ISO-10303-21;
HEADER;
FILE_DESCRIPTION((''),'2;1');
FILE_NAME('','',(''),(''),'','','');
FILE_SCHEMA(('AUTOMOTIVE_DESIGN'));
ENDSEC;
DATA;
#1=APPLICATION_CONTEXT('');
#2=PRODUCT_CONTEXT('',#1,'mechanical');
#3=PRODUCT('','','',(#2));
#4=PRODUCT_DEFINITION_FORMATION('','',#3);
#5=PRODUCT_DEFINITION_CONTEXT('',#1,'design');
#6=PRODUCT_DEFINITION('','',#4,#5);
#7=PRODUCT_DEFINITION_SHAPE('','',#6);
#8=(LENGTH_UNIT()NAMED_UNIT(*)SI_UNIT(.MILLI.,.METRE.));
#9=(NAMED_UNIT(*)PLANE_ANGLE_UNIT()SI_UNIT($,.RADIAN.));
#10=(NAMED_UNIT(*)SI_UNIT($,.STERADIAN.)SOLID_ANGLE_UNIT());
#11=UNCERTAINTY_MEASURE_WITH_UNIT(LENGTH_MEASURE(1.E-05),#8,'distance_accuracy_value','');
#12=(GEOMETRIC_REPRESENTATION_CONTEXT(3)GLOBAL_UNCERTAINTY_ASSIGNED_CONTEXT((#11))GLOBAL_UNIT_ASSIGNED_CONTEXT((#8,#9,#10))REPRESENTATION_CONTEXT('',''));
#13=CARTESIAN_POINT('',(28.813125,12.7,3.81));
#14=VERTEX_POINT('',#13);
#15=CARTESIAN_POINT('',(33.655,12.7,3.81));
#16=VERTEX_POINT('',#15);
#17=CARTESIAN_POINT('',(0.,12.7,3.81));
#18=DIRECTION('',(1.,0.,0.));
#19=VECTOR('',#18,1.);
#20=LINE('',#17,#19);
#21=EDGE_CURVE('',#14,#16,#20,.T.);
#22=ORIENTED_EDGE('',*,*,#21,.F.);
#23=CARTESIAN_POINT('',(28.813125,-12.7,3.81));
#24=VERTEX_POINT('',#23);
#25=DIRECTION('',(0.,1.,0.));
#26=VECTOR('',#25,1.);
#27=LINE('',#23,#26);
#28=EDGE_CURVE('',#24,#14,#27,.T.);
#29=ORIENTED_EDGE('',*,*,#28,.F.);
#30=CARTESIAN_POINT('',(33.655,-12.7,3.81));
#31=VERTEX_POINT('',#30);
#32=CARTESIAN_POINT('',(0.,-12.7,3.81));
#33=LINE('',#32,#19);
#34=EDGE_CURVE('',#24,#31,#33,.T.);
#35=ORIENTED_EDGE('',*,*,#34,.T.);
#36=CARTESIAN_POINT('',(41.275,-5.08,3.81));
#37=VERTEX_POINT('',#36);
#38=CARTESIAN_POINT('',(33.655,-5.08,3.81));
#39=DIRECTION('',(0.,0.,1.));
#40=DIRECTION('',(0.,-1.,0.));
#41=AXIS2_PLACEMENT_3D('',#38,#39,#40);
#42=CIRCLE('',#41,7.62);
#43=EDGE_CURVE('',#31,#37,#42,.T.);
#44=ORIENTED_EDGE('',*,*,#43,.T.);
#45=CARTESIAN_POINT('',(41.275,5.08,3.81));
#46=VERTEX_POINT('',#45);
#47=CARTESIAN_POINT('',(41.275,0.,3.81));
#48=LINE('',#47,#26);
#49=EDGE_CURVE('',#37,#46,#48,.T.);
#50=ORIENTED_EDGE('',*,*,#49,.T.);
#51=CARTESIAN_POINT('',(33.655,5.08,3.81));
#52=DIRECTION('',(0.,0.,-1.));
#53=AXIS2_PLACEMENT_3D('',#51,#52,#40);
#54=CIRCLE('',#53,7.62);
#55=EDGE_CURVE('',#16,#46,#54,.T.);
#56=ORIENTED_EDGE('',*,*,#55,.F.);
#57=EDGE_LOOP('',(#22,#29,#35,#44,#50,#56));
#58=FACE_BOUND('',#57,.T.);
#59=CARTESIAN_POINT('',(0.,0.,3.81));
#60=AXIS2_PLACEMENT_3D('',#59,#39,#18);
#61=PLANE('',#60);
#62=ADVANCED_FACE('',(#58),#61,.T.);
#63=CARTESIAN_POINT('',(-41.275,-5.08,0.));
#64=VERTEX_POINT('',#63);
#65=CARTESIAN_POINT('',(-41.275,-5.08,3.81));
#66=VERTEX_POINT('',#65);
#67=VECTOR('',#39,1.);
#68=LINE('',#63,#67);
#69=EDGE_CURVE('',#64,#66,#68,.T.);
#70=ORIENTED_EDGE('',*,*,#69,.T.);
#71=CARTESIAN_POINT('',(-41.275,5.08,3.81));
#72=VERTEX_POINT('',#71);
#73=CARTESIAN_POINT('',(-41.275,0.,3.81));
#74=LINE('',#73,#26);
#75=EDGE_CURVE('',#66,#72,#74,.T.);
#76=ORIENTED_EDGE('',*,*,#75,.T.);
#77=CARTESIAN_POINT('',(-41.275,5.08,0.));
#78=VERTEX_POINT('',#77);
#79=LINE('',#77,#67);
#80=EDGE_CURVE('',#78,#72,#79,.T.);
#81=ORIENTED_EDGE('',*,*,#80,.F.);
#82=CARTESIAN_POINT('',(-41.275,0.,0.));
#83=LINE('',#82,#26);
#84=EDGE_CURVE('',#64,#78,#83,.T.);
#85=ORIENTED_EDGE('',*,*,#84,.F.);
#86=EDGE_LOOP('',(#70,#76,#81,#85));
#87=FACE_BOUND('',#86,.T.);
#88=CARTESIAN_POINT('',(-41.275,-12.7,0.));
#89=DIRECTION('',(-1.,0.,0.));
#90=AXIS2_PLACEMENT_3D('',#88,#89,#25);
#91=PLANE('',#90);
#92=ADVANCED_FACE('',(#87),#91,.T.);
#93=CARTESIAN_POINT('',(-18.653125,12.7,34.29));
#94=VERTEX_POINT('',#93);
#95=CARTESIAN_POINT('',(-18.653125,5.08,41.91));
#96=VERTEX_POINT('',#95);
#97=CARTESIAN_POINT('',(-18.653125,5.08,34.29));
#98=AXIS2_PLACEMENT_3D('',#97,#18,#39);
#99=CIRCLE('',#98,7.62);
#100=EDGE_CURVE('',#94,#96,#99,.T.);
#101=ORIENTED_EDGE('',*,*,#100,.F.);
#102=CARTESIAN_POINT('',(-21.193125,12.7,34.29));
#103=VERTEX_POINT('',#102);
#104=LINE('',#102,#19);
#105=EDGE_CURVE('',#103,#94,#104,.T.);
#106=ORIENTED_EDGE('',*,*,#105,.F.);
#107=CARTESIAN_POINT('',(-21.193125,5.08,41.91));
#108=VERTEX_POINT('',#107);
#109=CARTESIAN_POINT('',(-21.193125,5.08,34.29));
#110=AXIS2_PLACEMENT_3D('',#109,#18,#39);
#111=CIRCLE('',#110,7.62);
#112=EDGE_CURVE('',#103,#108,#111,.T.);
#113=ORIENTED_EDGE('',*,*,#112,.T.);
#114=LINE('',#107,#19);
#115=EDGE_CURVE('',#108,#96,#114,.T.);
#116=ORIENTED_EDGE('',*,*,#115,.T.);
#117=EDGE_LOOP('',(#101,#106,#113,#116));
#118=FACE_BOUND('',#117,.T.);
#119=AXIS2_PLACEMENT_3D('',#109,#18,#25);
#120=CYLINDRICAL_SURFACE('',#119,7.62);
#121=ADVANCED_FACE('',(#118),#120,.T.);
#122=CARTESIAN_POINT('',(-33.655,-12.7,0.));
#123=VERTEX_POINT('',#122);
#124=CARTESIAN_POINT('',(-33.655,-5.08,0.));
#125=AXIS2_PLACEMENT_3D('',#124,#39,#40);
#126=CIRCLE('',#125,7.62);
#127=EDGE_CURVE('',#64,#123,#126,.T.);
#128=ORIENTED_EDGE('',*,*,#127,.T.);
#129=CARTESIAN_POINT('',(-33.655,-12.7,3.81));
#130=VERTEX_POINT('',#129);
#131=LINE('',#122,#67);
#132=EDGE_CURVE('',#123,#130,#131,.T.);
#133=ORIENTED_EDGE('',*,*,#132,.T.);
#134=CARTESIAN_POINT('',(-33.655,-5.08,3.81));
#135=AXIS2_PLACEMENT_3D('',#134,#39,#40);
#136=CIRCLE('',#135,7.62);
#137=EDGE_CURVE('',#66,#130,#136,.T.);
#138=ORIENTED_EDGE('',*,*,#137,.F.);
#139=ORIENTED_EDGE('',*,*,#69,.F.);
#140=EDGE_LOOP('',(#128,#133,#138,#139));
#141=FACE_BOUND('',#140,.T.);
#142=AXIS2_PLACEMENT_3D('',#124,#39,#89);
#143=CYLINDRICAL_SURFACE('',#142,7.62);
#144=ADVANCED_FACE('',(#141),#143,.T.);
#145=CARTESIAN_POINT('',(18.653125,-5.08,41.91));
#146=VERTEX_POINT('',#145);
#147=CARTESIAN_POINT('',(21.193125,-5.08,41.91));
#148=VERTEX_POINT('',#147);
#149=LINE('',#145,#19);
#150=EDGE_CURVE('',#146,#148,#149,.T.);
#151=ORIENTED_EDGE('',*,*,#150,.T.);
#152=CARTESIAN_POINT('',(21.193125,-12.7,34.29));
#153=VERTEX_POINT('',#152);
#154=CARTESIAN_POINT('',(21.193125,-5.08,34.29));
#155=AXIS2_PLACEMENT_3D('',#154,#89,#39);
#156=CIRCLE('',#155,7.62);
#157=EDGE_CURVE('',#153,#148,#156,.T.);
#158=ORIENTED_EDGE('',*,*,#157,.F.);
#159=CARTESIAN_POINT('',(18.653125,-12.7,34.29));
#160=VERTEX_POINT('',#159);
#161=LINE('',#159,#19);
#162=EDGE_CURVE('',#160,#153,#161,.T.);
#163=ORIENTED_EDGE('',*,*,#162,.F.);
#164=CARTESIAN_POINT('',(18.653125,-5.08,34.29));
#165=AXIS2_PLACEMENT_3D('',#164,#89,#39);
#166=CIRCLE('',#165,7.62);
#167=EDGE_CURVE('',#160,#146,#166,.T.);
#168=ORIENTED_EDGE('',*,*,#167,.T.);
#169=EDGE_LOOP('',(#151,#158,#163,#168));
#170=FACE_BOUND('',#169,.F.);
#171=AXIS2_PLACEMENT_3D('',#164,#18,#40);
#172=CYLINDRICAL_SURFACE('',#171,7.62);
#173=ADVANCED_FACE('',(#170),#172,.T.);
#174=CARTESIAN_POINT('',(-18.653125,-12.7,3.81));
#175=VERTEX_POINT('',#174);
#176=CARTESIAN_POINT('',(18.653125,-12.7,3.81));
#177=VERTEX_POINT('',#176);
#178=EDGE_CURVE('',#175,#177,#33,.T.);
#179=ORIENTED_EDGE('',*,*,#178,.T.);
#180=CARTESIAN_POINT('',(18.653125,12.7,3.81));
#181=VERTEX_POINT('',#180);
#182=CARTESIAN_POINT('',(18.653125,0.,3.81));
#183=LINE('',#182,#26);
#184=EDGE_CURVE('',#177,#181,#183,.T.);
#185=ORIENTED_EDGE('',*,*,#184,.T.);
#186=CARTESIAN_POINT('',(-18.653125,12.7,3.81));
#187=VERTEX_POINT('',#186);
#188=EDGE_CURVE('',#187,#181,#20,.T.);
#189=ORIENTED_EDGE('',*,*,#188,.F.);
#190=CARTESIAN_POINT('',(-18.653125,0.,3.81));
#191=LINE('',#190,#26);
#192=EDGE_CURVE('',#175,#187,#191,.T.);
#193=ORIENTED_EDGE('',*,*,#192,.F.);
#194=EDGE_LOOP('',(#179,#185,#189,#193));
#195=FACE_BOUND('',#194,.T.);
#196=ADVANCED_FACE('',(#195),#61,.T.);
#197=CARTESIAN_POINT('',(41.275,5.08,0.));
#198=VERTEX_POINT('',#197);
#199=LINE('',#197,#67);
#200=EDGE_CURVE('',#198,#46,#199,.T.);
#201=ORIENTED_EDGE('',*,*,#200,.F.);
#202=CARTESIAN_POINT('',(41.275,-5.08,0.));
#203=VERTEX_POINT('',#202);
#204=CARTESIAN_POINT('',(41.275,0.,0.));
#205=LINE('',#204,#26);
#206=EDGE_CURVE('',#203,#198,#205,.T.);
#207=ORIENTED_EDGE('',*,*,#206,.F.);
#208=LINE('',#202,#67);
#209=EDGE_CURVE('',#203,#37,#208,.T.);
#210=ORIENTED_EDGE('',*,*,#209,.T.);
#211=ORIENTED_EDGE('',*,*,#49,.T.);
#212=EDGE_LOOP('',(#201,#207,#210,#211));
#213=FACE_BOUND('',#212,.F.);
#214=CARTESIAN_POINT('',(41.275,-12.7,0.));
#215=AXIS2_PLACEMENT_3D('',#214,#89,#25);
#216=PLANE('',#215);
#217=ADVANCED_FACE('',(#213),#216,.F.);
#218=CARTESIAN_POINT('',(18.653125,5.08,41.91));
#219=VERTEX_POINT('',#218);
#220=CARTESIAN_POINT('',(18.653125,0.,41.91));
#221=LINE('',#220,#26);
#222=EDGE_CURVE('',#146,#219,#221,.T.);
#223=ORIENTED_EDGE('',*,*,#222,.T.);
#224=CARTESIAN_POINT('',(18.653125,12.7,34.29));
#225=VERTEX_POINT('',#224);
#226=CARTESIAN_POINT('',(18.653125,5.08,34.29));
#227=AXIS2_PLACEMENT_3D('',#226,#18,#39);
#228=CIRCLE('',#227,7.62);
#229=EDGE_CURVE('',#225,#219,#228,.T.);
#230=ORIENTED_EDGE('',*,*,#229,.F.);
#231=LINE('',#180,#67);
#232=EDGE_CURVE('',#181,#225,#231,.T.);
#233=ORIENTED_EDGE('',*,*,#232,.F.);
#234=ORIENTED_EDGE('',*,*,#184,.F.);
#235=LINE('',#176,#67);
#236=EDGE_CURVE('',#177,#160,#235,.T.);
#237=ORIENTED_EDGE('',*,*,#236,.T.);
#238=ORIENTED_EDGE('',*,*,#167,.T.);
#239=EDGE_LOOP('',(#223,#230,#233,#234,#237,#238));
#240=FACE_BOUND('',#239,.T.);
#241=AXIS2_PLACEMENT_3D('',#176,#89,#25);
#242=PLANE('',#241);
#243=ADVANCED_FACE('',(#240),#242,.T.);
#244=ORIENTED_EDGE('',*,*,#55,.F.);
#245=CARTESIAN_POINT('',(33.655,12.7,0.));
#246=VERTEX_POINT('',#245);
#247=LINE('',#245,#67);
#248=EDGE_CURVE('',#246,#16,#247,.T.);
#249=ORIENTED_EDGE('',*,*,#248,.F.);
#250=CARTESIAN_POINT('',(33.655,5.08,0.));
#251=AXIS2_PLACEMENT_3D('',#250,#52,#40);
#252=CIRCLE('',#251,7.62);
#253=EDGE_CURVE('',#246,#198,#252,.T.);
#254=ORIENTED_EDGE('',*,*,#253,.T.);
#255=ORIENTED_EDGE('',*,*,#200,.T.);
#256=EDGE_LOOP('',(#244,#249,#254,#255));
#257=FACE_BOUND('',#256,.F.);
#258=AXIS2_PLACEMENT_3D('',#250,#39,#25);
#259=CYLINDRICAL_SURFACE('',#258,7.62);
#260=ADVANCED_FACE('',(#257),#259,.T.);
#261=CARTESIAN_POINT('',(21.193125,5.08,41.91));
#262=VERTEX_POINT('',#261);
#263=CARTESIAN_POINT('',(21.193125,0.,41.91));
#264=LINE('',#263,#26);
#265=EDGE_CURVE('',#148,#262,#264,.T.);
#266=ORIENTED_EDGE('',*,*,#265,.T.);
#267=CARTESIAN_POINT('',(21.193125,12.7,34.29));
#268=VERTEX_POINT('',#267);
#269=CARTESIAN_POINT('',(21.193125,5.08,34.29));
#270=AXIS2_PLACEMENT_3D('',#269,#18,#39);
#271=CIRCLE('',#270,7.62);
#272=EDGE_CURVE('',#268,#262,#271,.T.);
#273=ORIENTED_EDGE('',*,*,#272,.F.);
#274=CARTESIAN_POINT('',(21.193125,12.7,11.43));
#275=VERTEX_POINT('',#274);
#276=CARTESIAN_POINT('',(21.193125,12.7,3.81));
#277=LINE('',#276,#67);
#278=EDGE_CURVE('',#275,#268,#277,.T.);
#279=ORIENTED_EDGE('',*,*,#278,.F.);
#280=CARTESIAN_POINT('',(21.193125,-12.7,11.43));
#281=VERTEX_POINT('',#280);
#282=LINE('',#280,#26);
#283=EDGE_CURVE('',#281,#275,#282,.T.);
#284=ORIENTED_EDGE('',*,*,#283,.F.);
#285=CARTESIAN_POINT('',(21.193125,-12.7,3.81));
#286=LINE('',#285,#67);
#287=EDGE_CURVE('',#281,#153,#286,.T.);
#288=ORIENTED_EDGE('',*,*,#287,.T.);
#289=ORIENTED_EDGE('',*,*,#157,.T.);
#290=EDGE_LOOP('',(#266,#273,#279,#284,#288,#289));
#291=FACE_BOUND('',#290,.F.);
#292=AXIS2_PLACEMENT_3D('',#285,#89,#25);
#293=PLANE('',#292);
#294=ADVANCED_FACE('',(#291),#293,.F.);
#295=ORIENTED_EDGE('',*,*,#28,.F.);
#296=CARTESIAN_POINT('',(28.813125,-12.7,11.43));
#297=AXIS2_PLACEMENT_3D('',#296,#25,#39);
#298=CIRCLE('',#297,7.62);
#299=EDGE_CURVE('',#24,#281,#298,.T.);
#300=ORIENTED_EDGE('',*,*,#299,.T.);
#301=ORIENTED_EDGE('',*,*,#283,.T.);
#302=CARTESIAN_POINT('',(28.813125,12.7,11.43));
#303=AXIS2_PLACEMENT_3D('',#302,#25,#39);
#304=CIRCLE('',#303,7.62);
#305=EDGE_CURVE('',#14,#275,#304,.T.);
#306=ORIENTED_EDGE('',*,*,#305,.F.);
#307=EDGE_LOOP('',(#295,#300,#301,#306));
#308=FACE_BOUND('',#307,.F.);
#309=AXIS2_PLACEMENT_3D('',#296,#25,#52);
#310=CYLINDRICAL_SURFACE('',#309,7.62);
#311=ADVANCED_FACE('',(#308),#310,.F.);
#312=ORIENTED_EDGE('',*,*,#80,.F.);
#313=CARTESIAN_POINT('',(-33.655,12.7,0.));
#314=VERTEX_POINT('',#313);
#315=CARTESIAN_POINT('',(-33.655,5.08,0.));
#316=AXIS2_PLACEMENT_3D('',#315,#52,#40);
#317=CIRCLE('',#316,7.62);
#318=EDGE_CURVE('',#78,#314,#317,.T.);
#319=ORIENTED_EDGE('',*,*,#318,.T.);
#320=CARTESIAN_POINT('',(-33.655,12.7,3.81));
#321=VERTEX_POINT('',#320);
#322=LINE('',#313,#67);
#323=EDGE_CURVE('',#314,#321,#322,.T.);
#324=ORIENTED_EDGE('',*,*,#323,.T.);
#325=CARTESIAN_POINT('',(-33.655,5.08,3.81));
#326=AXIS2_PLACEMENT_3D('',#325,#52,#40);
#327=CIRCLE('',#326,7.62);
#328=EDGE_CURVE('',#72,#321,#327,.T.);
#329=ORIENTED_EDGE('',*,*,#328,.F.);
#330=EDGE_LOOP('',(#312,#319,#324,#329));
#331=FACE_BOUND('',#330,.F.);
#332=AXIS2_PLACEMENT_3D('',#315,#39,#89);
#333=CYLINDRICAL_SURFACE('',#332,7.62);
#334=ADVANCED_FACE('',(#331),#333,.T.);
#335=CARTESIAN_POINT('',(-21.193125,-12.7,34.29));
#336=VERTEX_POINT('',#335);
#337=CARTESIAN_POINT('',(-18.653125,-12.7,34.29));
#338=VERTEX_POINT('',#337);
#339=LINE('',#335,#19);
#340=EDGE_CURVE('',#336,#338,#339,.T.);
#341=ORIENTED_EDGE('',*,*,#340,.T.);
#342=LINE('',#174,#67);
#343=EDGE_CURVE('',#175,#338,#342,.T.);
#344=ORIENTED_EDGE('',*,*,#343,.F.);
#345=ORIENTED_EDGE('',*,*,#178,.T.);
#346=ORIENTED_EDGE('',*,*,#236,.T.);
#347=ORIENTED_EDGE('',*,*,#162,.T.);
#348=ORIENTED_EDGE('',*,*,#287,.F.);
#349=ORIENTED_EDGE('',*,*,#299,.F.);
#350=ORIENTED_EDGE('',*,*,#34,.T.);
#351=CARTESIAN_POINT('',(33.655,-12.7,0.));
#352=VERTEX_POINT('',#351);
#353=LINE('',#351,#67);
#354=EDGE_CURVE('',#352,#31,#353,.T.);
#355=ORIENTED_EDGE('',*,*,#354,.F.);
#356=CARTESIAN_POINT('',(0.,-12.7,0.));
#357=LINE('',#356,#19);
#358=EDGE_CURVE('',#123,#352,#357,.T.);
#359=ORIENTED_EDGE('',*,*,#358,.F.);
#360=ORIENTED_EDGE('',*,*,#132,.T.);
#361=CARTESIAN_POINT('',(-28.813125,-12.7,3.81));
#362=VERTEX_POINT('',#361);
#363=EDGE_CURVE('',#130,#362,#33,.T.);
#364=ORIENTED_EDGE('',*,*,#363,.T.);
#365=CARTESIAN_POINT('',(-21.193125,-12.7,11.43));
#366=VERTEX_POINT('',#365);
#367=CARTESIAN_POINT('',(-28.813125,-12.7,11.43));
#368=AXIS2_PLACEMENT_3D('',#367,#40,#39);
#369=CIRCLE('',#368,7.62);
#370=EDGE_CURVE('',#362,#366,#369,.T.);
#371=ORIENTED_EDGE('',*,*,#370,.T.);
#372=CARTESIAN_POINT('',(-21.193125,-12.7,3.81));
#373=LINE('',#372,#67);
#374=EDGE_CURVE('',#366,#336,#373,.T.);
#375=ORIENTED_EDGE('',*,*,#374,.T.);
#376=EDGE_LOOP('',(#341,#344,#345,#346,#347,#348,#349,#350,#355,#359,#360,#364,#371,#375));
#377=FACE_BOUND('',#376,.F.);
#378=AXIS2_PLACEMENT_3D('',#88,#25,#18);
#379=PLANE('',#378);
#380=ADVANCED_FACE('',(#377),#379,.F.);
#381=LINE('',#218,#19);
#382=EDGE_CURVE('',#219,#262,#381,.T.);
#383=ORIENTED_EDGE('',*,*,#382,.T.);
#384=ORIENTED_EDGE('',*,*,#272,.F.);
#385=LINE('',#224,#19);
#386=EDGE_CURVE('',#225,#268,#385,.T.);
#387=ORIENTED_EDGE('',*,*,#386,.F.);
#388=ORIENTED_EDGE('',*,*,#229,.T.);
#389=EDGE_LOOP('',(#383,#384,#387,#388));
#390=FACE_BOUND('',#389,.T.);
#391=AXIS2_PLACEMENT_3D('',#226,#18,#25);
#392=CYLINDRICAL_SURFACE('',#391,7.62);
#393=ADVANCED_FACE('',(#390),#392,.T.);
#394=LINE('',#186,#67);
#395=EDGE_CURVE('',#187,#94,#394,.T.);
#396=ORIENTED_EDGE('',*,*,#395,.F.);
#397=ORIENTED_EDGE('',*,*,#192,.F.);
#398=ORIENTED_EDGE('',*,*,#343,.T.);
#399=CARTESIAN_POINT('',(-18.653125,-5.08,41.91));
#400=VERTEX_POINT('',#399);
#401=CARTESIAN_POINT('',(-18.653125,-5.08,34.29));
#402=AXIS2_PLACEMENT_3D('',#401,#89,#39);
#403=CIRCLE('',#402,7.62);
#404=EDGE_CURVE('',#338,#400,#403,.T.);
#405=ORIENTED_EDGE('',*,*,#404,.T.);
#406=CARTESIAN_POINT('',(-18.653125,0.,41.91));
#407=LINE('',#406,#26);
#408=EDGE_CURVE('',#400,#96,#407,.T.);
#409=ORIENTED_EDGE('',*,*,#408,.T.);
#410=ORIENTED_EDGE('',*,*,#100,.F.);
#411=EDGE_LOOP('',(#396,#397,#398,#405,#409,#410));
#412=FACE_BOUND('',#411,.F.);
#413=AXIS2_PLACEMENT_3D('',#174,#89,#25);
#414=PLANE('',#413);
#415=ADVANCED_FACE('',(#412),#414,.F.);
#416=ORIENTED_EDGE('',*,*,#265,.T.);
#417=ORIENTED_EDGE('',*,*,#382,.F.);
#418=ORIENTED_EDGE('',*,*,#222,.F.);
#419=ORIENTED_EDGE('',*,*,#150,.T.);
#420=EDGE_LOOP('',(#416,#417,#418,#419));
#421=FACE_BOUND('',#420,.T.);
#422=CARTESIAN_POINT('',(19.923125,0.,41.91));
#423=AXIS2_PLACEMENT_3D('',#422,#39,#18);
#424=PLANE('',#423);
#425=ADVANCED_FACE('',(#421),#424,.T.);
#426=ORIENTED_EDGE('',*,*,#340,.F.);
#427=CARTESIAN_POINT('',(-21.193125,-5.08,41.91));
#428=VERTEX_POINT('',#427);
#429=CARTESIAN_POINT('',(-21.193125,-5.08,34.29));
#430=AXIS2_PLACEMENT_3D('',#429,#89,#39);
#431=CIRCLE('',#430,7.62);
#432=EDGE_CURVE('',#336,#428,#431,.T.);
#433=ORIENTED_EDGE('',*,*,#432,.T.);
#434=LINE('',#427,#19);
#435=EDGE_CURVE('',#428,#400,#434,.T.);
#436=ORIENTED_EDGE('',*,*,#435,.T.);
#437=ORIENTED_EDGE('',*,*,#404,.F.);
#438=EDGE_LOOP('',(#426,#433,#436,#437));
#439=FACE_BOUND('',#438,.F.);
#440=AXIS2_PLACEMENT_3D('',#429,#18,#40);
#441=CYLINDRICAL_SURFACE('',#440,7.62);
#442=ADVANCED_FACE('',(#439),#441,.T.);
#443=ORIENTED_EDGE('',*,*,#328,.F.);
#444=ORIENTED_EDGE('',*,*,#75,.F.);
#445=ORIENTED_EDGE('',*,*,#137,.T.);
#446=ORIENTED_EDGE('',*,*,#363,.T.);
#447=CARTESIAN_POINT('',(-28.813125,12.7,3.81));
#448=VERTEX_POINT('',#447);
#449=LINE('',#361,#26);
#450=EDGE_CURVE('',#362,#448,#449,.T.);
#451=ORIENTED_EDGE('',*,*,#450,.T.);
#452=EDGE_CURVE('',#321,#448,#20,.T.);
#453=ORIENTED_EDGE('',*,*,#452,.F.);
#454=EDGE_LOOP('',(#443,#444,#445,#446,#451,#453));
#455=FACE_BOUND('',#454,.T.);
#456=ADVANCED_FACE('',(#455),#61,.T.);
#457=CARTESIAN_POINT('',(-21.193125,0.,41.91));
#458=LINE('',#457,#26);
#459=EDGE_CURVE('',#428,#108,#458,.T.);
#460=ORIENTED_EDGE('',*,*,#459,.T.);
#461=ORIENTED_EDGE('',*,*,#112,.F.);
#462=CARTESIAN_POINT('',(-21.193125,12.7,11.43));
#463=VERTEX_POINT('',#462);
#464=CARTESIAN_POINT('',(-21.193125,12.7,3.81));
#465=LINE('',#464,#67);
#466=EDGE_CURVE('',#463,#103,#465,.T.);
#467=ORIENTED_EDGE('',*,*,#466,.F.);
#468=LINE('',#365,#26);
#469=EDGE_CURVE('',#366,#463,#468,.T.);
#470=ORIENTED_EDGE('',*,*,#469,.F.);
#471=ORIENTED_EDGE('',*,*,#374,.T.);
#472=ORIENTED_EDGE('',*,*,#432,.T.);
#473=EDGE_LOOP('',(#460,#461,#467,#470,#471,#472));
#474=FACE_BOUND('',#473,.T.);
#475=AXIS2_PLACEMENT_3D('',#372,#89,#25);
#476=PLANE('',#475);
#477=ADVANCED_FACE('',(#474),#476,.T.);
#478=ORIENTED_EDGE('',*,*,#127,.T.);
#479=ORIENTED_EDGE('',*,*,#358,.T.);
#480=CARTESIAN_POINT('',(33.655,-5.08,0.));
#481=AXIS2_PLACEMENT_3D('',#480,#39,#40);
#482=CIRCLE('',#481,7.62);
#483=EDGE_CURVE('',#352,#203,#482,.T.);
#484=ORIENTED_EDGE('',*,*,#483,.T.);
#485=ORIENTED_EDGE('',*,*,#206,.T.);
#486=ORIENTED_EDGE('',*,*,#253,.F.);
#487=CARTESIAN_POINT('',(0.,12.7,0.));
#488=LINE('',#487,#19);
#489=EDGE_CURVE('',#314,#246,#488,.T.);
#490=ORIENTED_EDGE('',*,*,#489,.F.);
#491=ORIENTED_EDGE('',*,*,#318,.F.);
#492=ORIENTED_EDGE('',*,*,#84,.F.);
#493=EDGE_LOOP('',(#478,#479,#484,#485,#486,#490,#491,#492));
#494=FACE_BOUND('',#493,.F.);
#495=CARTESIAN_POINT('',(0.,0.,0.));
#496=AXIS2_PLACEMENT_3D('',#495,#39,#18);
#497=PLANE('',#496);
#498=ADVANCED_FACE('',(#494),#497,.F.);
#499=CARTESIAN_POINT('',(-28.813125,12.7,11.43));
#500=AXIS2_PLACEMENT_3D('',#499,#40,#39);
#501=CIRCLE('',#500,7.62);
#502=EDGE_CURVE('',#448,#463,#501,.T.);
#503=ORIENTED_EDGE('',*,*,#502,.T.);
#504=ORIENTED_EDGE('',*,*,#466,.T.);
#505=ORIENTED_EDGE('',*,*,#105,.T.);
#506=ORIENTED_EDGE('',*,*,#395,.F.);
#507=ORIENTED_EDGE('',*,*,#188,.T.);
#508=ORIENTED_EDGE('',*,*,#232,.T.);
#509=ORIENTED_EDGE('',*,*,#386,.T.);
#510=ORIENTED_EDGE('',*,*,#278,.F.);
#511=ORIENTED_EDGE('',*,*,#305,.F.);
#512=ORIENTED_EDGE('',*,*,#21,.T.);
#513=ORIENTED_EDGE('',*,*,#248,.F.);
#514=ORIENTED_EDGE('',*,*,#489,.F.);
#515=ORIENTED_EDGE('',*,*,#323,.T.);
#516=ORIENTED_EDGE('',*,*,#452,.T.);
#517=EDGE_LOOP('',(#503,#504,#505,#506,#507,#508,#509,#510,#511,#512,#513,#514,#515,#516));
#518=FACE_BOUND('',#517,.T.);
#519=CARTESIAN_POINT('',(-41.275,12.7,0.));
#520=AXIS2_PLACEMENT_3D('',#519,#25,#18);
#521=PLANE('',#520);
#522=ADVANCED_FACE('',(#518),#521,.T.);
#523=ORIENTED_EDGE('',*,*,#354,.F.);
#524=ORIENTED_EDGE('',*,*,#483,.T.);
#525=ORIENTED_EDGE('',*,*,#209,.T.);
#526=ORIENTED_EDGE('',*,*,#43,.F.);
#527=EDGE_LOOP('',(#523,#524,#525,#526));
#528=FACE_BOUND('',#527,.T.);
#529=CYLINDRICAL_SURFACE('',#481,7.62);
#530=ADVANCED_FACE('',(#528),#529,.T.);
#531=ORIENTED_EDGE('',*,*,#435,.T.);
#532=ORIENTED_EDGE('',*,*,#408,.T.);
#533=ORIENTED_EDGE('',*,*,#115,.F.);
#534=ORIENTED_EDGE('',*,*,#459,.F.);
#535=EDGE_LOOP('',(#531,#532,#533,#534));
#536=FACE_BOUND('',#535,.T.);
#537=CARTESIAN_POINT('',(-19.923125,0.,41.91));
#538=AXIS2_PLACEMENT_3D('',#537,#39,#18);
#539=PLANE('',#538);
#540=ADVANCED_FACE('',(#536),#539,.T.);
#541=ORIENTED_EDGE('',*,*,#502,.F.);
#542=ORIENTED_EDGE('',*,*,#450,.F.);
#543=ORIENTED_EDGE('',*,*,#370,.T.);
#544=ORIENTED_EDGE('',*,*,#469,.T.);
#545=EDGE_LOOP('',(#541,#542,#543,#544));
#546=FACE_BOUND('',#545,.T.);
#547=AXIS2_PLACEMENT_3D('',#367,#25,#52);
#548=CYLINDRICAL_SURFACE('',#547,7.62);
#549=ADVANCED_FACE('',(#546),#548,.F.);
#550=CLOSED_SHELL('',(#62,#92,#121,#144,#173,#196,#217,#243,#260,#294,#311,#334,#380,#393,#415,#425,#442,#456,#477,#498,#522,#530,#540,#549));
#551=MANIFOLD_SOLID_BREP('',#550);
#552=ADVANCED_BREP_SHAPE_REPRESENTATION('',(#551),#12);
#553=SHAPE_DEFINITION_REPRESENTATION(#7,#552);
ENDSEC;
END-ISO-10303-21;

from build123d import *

# Parameters (mm, degrees)
F0_W     = 82.55
F0_H     = 25.4
F1_DEPTH = 3.81
F2_W     = 2.54
F2_H     = 25.4
F3_DEPTH = 38.1
F4_R     = 7.62


with BuildPart() as f1:
    # F0 (on Top) → F1 (new body)
    with BuildSketch(Plane.XY):
        Rectangle(F0_W, F0_H)
    extrude(amount=F1_DEPTH)

    # F2 (on face) → F3 (join)
    with BuildSketch(Plane.XY.offset(3.81)):
        with Locations((-19.923125, 0)):
            Rectangle(F2_W, F2_H)
        with Locations((19.923125, 0)):
            Rectangle(F2_W, F2_H)
    extrude(amount=F3_DEPTH)

    # F4
    f4_edges = [f1.edges().sort_by_distance(p)[0] for p in [
        (-41.275, 12.7, 1.905),
        (-41.275, -12.7, 1.905),
        (41.275, 12.7, 1.905),
        (41.275, -12.7, 1.905),
        (-21.193125, 0, 3.81),
        (21.193125, 0, 3.81),
        (19.923125, 12.7, 41.91),
        (-19.923125, 12.7, 41.91),
        (-19.923125, -12.7, 41.91),
        (19.923125, -12.7, 41.91),
    ]]
    fillet(f4_edges, radius=F4_R)


solid = f1.part
